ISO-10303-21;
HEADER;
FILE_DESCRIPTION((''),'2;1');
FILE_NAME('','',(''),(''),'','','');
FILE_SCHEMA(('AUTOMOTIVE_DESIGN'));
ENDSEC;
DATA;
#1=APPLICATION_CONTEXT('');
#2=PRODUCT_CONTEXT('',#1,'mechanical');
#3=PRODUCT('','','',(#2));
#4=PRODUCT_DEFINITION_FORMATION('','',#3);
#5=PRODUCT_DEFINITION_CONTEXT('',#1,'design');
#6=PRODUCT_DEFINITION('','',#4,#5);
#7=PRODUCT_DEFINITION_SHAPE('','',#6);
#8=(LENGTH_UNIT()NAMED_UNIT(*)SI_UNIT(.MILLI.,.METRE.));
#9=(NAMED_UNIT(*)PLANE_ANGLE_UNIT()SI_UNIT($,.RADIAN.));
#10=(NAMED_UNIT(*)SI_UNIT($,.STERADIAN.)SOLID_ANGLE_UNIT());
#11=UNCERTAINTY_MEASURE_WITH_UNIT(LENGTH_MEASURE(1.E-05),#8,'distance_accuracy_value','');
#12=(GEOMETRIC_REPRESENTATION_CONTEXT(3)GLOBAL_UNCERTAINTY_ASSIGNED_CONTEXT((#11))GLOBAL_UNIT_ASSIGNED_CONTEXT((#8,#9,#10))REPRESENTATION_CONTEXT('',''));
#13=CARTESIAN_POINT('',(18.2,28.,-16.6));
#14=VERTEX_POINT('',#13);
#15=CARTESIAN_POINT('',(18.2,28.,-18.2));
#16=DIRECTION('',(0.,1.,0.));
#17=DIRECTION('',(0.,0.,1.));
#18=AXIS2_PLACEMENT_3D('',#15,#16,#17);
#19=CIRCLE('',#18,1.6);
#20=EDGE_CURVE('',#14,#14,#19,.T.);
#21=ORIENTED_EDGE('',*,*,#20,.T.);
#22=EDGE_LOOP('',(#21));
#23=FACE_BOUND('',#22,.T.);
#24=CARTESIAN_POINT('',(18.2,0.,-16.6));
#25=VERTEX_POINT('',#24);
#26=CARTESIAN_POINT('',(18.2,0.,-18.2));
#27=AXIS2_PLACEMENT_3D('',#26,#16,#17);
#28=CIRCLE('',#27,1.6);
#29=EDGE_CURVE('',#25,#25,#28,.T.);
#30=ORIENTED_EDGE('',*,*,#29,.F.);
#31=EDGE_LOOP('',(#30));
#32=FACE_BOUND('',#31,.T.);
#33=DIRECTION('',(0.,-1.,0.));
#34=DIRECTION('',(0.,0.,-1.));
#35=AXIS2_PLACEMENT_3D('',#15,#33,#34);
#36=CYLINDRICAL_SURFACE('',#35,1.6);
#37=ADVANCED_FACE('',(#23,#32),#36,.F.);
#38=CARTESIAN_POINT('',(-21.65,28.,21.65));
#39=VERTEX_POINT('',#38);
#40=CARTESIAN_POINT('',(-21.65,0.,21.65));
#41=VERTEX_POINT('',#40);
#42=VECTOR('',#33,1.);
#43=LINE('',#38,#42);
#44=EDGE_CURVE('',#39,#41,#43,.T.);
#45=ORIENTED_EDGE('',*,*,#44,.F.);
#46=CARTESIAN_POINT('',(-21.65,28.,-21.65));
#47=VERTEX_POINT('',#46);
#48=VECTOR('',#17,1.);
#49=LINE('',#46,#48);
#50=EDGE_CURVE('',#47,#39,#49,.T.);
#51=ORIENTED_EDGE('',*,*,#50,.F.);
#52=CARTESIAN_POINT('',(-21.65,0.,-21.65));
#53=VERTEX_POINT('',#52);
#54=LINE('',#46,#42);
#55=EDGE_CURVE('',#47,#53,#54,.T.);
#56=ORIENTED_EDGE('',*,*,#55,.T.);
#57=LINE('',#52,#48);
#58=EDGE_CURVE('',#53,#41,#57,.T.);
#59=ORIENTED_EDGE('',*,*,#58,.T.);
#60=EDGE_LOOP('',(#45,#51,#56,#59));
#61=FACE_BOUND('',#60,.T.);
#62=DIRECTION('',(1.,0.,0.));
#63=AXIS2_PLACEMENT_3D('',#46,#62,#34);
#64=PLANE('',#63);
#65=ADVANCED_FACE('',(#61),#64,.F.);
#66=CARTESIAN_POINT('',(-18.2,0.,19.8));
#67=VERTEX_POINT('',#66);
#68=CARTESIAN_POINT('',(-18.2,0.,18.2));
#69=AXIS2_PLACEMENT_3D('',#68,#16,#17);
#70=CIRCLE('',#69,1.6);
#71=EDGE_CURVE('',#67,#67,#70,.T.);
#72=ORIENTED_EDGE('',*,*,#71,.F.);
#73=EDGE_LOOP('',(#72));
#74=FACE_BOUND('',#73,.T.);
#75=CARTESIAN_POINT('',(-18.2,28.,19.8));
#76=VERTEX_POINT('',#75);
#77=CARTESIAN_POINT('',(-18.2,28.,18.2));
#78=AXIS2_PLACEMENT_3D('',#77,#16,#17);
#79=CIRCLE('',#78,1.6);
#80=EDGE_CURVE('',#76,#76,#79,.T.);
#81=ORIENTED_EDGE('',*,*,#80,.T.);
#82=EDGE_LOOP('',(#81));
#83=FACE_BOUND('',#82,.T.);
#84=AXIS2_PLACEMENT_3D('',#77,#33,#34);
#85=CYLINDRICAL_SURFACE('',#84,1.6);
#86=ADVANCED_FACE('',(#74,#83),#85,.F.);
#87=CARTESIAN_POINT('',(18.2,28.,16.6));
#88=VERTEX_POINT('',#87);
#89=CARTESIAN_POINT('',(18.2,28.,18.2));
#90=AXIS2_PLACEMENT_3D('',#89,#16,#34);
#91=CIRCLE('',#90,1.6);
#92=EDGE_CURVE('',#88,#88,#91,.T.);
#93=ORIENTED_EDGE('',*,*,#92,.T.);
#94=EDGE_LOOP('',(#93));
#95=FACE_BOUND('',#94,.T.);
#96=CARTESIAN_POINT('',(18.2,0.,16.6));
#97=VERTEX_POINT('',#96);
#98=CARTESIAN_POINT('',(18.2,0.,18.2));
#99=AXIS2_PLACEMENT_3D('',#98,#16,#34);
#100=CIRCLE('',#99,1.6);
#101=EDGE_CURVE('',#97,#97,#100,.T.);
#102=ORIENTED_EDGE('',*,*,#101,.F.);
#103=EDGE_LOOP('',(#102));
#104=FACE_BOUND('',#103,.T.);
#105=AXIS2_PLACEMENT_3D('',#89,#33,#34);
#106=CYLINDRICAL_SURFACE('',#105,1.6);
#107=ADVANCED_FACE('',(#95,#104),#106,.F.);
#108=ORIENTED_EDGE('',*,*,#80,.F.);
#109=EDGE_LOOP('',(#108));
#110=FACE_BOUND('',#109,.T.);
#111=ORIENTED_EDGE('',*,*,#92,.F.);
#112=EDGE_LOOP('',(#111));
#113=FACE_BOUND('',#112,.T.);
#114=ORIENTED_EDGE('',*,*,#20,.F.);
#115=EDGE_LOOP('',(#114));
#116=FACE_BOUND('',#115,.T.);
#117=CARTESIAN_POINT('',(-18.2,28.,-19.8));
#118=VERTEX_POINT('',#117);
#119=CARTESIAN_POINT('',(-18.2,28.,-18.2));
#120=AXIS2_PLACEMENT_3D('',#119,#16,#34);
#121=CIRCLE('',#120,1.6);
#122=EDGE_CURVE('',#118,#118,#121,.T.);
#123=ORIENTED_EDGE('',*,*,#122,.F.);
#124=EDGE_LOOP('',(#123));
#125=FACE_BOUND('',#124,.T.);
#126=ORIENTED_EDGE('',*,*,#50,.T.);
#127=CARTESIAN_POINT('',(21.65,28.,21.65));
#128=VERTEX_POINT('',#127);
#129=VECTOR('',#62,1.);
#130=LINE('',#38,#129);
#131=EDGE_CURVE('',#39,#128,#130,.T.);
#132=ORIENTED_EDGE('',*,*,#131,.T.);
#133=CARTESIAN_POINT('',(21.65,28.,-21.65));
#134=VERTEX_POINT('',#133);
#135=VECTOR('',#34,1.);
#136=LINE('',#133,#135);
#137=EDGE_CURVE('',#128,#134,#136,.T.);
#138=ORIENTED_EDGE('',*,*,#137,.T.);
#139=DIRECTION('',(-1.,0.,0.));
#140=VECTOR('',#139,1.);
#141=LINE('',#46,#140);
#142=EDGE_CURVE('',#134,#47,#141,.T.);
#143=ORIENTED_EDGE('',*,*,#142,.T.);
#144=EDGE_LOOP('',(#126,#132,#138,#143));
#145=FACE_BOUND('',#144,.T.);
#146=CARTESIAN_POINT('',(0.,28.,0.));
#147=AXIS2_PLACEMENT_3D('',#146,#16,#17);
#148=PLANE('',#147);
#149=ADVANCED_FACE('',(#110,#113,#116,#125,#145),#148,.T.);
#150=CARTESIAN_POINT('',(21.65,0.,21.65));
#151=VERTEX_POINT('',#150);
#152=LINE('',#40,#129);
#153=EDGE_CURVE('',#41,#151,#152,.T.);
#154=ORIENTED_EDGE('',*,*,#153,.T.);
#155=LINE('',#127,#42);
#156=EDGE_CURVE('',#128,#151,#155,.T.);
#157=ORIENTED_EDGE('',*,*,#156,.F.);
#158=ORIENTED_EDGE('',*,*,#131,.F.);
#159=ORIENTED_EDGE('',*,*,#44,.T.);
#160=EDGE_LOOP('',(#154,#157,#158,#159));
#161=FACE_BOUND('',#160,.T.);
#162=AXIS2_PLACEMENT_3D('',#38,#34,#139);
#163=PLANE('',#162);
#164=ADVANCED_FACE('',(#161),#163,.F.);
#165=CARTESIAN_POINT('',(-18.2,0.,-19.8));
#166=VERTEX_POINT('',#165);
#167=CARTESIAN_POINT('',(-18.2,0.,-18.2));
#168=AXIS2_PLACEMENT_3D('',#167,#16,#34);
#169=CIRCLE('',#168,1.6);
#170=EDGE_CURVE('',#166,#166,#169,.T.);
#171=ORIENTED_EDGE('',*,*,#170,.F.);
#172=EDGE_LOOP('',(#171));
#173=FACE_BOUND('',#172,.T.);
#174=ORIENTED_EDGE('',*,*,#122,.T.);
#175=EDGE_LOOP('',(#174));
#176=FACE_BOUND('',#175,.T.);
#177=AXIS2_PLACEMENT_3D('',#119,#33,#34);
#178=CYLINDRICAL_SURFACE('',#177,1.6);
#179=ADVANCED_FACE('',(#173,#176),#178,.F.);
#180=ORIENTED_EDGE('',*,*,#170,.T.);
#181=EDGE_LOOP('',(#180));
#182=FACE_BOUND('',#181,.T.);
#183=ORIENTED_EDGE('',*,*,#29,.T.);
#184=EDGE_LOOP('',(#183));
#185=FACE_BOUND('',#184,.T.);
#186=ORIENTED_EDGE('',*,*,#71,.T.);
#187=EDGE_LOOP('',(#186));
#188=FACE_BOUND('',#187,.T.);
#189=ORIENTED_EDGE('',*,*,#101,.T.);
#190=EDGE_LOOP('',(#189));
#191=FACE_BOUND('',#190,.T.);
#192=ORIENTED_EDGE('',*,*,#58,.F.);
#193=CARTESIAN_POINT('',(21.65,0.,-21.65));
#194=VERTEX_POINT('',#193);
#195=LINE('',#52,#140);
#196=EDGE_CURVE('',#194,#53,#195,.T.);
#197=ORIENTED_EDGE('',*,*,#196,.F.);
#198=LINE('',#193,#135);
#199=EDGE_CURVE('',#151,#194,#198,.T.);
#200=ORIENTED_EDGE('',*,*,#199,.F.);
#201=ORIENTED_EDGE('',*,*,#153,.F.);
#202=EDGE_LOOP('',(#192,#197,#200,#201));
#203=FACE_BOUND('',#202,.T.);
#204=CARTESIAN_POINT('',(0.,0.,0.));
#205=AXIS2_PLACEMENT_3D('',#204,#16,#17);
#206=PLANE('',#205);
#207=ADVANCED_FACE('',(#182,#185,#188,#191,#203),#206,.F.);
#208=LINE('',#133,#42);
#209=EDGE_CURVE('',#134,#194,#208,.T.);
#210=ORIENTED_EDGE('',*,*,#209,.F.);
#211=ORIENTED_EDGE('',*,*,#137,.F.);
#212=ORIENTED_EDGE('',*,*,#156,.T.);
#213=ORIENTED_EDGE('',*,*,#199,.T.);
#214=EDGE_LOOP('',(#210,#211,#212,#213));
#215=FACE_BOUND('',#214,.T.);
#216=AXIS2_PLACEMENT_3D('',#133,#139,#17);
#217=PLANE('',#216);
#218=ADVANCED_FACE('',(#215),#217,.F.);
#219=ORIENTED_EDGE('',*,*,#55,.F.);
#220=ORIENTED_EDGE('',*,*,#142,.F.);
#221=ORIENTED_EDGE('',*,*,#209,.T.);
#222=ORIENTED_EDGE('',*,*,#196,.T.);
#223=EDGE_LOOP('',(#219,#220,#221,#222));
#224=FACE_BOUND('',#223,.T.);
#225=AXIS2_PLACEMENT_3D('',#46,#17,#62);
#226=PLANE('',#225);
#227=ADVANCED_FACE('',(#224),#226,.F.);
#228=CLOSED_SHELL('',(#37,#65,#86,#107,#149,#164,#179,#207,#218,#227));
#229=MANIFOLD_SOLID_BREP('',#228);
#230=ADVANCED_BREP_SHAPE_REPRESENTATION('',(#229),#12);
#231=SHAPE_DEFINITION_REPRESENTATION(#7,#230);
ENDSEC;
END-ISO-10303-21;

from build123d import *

# Parameters (mm, degrees)
SKETCH_1_W      = 43.3
SKETCH_1_H      = 43.3
SKETCH_1_R      = 1.6
EXTRUDE_1_DEPTH = 28


with BuildPart() as part:
    # 草图1 → 凸台-拉伸1 (new body)
    with BuildSketch(Plane(origin=(0, 0, 0), x_dir=(1, 0, 0), z_dir=(0, 1, 0))):
        Rectangle(SKETCH_1_W, SKETCH_1_H)
        with Locations(Location((18.2, 18.2, 0), (0, 0, 270))):
            Circle(SKETCH_1_R, mode=Mode.SUBTRACT)
        with Locations(Location((-18.2, 18.2, 0), (0, 0, 90))):
            Circle(SKETCH_1_R, mode=Mode.SUBTRACT)
        with Locations(Location((18.2, -18.2, 0), (0, 0, 90))):
            Circle(SKETCH_1_R, mode=Mode.SUBTRACT)
        with Locations(Location((-18.2, -18.2, 0), (0, 0, 270))):
            Circle(SKETCH_1_R, mode=Mode.SUBTRACT)
    extrude(amount=EXTRUDE_1_DEPTH)


solid = part.part
